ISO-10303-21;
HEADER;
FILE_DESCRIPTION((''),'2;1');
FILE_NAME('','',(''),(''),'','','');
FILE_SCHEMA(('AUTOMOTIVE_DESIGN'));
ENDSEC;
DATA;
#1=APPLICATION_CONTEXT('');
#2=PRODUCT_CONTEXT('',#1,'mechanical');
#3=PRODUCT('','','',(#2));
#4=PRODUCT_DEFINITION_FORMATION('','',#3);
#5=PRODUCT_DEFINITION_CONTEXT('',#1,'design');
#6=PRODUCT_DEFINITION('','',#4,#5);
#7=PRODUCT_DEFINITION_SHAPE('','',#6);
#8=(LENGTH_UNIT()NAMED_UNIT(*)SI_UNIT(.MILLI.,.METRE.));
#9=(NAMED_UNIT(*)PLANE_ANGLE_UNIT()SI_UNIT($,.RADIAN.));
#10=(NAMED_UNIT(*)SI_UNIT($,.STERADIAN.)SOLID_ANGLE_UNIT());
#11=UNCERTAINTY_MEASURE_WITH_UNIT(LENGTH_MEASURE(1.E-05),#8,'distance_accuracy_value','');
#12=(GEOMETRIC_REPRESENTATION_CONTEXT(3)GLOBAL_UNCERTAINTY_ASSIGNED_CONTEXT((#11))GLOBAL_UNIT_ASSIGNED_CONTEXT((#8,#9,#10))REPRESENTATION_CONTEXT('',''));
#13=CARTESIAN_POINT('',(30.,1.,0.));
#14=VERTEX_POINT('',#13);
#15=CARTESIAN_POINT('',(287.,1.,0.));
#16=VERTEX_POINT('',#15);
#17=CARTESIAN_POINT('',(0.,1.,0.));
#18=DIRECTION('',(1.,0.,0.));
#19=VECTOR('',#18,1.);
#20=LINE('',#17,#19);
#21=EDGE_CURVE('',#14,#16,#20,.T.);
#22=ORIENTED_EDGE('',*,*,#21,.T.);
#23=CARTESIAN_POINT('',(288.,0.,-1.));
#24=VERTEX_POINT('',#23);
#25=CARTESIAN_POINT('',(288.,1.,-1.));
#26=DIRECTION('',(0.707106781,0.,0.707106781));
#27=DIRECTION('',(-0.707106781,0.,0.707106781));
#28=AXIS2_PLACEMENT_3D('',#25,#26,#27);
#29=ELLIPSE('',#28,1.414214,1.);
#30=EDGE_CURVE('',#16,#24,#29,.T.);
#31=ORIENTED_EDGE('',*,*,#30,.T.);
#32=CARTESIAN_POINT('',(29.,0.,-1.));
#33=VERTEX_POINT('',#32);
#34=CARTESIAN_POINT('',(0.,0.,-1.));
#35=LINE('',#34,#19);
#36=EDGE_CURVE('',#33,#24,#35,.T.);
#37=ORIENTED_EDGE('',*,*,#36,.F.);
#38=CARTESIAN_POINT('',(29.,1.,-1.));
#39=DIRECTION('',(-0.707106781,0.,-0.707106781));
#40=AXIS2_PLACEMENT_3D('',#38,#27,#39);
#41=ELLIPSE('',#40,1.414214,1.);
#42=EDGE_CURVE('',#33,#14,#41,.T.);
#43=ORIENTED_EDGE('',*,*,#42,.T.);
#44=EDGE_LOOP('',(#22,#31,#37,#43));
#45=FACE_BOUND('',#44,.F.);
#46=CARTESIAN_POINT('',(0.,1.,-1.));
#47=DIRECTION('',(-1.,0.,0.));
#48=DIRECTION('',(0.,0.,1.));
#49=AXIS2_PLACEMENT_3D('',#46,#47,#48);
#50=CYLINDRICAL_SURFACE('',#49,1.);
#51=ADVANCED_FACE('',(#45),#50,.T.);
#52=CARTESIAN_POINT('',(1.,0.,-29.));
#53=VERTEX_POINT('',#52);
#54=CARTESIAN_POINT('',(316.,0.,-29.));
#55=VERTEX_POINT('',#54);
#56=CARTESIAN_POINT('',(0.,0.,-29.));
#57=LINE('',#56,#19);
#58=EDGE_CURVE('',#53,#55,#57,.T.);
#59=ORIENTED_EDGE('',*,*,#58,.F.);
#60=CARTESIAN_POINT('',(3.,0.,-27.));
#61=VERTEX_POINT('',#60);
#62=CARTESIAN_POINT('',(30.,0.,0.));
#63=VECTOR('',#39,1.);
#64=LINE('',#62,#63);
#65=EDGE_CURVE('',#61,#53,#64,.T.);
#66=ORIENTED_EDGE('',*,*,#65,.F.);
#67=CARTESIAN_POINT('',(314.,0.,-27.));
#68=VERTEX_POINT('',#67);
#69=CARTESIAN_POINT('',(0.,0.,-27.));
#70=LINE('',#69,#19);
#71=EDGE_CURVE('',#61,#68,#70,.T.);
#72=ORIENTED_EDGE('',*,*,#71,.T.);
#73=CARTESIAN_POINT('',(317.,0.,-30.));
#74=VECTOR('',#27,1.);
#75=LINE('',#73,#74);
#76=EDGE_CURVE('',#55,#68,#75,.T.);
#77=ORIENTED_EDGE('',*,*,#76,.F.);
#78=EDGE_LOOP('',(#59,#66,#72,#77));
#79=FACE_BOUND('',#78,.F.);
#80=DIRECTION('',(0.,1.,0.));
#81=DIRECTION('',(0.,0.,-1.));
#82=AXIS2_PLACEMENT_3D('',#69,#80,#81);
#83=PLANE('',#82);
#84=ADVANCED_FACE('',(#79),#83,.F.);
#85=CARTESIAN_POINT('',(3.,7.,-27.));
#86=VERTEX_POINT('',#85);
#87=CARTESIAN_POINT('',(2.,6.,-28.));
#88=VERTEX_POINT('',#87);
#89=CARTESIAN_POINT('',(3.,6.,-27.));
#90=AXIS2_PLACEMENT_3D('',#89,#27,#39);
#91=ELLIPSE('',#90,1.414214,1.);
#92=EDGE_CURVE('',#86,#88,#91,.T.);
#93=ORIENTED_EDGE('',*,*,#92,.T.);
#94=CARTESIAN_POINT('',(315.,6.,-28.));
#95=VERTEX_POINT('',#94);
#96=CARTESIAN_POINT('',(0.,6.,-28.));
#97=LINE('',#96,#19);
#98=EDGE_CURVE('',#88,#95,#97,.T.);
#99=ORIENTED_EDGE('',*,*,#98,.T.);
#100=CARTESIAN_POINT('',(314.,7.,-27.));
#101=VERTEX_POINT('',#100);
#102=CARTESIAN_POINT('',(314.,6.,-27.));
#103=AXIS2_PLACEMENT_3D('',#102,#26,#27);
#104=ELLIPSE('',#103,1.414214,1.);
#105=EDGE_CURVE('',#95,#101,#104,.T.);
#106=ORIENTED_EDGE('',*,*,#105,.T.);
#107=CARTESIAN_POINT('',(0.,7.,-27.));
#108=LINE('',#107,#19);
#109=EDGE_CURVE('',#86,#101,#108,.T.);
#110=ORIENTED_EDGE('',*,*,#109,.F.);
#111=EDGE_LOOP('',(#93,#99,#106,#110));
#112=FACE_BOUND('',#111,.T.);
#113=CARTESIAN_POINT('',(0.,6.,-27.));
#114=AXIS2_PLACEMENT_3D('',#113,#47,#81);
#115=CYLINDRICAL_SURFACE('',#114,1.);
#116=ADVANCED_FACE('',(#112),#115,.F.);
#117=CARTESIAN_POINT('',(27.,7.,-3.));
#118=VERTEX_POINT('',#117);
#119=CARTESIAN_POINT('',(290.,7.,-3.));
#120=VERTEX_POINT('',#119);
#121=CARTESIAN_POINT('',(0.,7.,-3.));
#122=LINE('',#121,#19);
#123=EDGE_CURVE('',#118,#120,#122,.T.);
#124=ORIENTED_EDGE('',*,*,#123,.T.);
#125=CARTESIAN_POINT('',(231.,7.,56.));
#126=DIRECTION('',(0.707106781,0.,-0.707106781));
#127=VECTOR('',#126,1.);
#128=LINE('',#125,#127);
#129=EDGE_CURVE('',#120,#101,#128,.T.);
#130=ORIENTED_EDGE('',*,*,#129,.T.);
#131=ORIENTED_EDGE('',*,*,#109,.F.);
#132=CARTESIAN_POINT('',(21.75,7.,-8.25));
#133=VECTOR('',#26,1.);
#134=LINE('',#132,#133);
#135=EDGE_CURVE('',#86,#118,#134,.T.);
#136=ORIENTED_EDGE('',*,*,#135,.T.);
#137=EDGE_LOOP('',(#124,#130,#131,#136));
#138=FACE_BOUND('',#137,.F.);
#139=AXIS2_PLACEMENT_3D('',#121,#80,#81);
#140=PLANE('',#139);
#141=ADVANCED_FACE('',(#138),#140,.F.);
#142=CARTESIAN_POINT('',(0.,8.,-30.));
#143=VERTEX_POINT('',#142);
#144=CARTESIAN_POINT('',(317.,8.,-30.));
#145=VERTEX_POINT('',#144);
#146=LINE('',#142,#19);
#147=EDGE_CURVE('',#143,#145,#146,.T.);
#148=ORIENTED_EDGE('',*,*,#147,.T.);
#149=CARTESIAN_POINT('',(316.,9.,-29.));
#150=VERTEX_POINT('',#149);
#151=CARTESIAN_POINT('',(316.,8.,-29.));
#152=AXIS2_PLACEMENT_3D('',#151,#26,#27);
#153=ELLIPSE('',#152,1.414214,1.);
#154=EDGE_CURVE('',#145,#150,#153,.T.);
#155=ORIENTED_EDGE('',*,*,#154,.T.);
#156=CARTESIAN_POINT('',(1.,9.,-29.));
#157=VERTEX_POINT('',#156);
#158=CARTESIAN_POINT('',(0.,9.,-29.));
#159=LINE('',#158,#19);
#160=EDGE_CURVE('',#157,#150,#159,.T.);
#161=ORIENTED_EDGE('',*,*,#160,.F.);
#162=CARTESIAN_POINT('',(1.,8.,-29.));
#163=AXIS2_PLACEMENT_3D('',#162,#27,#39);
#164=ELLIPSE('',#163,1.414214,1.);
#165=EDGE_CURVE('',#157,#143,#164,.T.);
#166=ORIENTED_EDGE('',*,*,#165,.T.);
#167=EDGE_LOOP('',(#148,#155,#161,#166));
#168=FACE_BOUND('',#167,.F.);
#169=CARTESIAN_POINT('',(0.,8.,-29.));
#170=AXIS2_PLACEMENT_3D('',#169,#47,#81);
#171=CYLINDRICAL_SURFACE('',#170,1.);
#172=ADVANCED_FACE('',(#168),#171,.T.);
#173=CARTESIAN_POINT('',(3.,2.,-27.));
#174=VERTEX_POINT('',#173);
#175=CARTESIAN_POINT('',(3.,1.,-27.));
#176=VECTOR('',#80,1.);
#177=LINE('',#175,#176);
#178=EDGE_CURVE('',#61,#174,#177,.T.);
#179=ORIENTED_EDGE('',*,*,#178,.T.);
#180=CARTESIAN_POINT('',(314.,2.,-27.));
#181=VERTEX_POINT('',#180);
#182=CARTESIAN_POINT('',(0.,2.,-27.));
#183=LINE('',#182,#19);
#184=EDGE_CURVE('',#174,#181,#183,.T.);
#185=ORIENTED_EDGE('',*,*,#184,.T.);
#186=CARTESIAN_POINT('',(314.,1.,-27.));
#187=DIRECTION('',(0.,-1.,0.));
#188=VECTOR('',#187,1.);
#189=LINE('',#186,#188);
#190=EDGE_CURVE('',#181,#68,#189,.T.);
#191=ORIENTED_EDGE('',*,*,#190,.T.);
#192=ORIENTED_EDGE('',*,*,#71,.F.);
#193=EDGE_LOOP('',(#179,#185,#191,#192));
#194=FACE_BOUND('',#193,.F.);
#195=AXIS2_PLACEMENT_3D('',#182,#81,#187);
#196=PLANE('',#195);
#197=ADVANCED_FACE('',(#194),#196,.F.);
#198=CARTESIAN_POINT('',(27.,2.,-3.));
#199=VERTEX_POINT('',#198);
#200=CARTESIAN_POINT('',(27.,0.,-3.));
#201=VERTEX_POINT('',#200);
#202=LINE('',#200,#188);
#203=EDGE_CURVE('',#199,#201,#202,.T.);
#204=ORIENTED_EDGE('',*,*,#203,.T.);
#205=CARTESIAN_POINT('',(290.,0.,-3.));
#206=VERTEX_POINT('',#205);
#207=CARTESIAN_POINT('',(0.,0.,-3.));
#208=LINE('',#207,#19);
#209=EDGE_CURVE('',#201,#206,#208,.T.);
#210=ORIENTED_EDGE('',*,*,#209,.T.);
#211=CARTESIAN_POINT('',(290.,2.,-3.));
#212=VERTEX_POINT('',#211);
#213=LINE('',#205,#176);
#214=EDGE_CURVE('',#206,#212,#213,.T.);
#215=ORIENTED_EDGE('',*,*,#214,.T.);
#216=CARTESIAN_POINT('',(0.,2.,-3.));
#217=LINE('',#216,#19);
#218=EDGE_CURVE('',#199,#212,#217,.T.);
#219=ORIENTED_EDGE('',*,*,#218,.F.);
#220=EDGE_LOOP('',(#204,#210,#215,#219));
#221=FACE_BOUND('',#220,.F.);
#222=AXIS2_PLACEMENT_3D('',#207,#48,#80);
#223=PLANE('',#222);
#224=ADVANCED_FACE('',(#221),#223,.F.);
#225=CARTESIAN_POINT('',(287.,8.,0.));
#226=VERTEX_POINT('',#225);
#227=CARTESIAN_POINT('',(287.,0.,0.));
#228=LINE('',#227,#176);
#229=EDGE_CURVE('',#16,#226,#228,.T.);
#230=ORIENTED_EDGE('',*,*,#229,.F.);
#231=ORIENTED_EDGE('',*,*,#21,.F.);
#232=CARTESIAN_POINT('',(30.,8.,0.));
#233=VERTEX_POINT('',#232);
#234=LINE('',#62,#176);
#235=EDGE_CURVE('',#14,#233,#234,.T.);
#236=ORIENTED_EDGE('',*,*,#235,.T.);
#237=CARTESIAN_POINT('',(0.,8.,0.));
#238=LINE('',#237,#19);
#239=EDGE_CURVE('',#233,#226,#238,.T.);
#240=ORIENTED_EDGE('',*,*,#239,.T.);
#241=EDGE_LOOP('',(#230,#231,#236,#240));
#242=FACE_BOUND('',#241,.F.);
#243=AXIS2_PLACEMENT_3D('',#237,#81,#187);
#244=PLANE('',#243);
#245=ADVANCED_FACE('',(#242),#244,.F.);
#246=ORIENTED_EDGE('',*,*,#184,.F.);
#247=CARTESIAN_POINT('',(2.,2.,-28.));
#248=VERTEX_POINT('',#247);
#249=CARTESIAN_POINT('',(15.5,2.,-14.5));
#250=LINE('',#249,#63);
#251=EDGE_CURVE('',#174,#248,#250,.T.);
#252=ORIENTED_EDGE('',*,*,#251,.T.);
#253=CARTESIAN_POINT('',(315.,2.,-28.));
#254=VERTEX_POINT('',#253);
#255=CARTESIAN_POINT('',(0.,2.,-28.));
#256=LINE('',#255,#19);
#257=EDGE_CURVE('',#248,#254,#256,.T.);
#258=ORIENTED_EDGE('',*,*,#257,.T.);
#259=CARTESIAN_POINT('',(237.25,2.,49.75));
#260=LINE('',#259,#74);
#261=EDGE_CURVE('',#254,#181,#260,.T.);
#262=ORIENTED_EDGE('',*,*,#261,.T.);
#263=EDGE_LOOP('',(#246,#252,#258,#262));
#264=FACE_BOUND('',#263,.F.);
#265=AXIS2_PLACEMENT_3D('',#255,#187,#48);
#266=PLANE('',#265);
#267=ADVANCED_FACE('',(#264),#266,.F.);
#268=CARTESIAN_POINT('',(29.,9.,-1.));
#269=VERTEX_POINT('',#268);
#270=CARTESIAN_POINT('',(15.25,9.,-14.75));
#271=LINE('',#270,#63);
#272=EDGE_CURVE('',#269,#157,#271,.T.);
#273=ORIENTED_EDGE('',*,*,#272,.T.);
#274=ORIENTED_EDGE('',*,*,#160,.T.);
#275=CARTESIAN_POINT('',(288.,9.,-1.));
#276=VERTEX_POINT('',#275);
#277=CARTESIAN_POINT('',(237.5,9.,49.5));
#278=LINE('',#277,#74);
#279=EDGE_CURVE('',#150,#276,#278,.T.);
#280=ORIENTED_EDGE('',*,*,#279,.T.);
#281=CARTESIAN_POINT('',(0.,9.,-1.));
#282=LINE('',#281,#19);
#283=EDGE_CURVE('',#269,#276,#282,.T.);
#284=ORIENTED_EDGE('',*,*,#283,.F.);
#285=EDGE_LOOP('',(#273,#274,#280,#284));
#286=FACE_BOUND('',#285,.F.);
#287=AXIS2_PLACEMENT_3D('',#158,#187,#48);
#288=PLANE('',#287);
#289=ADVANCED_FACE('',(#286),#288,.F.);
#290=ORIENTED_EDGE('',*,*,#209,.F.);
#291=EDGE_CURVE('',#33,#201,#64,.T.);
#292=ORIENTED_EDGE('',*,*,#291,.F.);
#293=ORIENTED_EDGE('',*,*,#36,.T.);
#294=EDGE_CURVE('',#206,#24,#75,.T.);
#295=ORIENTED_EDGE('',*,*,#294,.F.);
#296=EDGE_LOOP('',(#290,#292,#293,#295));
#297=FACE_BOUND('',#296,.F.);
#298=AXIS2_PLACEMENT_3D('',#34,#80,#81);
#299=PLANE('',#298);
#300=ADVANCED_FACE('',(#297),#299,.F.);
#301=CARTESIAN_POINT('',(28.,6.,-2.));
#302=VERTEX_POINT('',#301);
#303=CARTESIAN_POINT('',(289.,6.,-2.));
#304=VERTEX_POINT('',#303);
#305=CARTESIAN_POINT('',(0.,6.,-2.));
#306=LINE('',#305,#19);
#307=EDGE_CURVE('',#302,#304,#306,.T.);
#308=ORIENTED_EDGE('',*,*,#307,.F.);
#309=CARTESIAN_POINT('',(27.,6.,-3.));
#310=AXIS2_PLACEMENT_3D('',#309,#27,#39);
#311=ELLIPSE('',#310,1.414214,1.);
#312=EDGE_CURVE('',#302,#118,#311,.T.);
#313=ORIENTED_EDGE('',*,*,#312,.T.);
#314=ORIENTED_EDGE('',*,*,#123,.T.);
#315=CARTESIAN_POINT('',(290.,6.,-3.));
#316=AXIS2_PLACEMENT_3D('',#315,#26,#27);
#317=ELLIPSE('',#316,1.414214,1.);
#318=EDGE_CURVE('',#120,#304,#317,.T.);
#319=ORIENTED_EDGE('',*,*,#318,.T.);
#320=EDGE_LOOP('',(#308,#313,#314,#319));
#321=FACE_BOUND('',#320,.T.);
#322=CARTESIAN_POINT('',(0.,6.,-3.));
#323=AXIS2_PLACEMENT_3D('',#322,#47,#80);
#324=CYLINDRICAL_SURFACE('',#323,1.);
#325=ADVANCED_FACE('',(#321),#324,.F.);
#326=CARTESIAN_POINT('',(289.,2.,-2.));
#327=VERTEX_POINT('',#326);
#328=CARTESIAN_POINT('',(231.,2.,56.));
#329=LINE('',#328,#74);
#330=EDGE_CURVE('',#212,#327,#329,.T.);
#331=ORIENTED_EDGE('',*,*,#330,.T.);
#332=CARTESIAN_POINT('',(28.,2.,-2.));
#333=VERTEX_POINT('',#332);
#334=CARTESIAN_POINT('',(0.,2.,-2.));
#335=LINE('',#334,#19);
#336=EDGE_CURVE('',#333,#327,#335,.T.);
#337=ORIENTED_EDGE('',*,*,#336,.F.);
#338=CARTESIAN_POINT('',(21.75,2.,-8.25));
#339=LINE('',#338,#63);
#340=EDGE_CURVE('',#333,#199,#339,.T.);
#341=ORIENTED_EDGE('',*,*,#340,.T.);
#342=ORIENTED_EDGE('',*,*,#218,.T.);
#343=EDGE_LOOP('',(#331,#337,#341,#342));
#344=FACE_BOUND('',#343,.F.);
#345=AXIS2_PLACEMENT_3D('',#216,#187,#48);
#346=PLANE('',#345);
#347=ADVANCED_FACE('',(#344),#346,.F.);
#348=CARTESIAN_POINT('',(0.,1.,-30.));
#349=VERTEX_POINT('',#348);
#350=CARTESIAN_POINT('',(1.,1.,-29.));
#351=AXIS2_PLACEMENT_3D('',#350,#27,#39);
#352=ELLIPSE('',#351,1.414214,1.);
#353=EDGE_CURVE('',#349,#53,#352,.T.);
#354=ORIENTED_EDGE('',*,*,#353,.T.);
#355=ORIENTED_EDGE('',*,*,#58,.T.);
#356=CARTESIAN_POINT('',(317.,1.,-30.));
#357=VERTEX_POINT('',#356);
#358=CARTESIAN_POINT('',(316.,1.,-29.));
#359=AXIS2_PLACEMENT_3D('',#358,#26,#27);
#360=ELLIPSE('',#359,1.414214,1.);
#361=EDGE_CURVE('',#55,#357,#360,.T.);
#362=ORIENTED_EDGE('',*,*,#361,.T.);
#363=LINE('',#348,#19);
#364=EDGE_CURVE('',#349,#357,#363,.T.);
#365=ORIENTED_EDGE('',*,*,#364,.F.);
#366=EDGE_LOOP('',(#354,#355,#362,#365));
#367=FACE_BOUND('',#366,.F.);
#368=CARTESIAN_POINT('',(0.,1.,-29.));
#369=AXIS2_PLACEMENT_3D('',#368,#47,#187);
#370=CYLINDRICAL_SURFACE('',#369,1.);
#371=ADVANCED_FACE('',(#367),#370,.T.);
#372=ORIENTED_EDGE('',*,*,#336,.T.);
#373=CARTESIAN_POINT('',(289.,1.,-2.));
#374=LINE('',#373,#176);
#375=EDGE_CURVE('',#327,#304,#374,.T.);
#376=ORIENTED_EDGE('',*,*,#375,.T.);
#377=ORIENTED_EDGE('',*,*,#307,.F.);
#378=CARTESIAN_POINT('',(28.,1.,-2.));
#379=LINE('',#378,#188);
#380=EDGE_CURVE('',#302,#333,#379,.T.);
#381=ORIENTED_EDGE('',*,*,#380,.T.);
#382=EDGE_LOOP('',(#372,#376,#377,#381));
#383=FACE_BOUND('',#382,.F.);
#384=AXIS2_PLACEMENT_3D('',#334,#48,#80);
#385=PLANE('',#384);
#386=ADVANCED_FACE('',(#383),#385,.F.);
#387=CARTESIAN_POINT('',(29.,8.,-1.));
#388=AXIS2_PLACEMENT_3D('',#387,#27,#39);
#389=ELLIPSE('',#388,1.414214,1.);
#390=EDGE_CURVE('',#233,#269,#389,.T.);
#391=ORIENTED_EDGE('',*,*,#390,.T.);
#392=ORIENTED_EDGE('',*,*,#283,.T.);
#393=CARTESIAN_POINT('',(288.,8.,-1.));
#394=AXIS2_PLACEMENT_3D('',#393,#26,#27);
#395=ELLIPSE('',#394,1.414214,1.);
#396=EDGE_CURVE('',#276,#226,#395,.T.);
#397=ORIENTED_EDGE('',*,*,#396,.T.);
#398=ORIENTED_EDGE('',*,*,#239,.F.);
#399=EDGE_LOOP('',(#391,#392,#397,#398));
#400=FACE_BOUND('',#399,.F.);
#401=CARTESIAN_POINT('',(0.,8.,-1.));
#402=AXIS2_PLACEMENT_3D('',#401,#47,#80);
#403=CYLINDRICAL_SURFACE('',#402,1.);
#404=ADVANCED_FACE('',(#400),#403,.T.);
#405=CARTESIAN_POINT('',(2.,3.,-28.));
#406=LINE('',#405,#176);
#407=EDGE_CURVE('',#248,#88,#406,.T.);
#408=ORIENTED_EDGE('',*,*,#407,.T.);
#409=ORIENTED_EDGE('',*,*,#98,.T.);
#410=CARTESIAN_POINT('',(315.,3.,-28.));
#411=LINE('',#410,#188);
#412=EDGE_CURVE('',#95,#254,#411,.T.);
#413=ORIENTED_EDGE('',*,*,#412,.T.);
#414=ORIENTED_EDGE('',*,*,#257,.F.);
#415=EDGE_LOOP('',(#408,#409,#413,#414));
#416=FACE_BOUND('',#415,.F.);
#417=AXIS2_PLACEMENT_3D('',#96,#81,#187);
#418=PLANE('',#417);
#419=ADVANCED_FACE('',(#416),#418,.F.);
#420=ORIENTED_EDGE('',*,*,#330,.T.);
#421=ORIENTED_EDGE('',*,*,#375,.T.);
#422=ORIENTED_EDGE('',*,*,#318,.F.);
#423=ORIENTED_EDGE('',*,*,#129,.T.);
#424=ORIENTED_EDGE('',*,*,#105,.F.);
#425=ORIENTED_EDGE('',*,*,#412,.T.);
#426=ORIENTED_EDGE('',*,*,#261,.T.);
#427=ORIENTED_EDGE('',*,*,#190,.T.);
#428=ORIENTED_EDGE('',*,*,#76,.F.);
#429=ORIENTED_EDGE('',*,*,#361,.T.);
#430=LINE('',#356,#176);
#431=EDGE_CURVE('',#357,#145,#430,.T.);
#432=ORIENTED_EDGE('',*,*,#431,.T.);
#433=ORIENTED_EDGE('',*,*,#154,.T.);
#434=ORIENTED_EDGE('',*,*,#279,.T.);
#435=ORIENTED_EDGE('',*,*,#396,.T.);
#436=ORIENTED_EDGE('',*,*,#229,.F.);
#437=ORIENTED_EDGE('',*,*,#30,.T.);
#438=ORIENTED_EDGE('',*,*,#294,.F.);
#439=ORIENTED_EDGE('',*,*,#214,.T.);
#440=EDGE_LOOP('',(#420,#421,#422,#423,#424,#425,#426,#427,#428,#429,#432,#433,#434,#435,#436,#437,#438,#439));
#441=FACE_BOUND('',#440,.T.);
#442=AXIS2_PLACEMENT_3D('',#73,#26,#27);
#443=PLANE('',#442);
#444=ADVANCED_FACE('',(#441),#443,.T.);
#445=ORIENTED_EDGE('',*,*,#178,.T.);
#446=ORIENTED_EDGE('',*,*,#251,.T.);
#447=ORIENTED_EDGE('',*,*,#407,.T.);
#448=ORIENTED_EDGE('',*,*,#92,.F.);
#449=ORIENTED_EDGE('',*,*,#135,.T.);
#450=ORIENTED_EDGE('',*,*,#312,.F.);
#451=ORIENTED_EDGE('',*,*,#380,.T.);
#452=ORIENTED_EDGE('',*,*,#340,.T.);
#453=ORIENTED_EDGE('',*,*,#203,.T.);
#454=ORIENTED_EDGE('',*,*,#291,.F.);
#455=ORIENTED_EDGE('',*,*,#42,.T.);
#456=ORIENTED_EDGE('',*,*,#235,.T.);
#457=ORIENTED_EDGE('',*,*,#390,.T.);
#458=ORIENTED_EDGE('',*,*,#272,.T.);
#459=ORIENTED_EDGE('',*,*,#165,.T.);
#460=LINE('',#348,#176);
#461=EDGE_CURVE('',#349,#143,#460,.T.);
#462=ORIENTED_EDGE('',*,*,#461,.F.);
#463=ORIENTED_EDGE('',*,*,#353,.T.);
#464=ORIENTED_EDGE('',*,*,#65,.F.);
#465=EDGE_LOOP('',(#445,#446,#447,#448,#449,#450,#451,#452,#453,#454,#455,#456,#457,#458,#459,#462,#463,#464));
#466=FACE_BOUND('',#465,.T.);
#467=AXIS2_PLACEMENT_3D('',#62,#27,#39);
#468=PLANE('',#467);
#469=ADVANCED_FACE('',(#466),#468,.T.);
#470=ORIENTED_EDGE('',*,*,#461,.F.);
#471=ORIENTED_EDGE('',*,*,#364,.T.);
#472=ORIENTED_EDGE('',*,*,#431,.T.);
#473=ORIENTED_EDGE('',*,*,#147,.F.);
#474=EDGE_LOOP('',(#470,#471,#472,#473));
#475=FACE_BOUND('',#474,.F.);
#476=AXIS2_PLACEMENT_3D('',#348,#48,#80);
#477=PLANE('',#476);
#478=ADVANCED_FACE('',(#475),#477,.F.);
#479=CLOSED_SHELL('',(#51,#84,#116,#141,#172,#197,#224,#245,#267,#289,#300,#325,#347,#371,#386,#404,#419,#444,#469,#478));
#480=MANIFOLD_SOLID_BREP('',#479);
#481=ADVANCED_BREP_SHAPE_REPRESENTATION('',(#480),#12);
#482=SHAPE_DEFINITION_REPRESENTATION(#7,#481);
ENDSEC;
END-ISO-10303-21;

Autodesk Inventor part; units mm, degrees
ref_plane "YZ Plane" through (0, 0, 0) normal (1, 0, 0) x (0, 1, 0)
ref_plane "XZ Plane" through (0, 0, 0) normal (0, 1, 0) x (-1, 0, 0)
ref_plane "XY Plane" through (0, 0, 0) normal (0, 0, 1) x (1, 0, 0)
sketch "Boceto principal" plane through (0, 0, 0) normal (1, 0, 0) x (0, 1, 0)
  line L0 (0, -1) -> (0, -3)
  line L1 (0, -3) -> (2, -3)
  line L2 (2, -3) -> (2, -2)
  line L3 (2, -2) -> (6, -2)
  line L4 (7, -3) -> (7, -27)
  line L5 (6, -28) -> (2, -28)
  line L6 (2, -28) -> (2, -27)
  line L7 (2, -27) -> (0, -27)
  line L8 (0, -27) -> (0, -29)
  line L9 (1, -30) -> (8, -30)
  line L10 (9, -29) -> (9, -1)
  line L11 (8, 0) -> (1, 0)
  arc A0 (1, 0) -> (0, -1) centre (1, -1) ccw
  arc A1 (7, -3) -> (6, -2) centre (6, -3) ccw
  arc A2 (6, -28) -> (7, -27) centre (6, -27) ccw
  arc A3 (0, -29) -> (1, -30) centre (1, -29) ccw
  arc A4 (8, -30) -> (9, -29) centre (8, -29) ccw
  arc A5 (9, -1) -> (8, 0) centre (8, -1) ccw
extrude "Extrusion1" add sketch "Boceto principal" along normal blind 317
sketch "Boceto esquinas" plane through (0, 0, 0) normal (0, 1, 0) x (-1, 0, 0)
  line L0 (0, 0) -> (-30, 0)
  line L1 (-30, 0) -> (0, -30)
  line L2 (0, -30) -> (0, 0)
  line L3 (-287, 0) -> (-317, 0)
  line L4 (-317, 0) -> (-317, -30)
  line L5 (-317, -30) -> (-287, 0)
extrude "Extrusion2" cut sketch "Boceto esquinas" along normal blind 10
properties part number "Tapa 30x30 317mm" material "PVC, Flexible"
